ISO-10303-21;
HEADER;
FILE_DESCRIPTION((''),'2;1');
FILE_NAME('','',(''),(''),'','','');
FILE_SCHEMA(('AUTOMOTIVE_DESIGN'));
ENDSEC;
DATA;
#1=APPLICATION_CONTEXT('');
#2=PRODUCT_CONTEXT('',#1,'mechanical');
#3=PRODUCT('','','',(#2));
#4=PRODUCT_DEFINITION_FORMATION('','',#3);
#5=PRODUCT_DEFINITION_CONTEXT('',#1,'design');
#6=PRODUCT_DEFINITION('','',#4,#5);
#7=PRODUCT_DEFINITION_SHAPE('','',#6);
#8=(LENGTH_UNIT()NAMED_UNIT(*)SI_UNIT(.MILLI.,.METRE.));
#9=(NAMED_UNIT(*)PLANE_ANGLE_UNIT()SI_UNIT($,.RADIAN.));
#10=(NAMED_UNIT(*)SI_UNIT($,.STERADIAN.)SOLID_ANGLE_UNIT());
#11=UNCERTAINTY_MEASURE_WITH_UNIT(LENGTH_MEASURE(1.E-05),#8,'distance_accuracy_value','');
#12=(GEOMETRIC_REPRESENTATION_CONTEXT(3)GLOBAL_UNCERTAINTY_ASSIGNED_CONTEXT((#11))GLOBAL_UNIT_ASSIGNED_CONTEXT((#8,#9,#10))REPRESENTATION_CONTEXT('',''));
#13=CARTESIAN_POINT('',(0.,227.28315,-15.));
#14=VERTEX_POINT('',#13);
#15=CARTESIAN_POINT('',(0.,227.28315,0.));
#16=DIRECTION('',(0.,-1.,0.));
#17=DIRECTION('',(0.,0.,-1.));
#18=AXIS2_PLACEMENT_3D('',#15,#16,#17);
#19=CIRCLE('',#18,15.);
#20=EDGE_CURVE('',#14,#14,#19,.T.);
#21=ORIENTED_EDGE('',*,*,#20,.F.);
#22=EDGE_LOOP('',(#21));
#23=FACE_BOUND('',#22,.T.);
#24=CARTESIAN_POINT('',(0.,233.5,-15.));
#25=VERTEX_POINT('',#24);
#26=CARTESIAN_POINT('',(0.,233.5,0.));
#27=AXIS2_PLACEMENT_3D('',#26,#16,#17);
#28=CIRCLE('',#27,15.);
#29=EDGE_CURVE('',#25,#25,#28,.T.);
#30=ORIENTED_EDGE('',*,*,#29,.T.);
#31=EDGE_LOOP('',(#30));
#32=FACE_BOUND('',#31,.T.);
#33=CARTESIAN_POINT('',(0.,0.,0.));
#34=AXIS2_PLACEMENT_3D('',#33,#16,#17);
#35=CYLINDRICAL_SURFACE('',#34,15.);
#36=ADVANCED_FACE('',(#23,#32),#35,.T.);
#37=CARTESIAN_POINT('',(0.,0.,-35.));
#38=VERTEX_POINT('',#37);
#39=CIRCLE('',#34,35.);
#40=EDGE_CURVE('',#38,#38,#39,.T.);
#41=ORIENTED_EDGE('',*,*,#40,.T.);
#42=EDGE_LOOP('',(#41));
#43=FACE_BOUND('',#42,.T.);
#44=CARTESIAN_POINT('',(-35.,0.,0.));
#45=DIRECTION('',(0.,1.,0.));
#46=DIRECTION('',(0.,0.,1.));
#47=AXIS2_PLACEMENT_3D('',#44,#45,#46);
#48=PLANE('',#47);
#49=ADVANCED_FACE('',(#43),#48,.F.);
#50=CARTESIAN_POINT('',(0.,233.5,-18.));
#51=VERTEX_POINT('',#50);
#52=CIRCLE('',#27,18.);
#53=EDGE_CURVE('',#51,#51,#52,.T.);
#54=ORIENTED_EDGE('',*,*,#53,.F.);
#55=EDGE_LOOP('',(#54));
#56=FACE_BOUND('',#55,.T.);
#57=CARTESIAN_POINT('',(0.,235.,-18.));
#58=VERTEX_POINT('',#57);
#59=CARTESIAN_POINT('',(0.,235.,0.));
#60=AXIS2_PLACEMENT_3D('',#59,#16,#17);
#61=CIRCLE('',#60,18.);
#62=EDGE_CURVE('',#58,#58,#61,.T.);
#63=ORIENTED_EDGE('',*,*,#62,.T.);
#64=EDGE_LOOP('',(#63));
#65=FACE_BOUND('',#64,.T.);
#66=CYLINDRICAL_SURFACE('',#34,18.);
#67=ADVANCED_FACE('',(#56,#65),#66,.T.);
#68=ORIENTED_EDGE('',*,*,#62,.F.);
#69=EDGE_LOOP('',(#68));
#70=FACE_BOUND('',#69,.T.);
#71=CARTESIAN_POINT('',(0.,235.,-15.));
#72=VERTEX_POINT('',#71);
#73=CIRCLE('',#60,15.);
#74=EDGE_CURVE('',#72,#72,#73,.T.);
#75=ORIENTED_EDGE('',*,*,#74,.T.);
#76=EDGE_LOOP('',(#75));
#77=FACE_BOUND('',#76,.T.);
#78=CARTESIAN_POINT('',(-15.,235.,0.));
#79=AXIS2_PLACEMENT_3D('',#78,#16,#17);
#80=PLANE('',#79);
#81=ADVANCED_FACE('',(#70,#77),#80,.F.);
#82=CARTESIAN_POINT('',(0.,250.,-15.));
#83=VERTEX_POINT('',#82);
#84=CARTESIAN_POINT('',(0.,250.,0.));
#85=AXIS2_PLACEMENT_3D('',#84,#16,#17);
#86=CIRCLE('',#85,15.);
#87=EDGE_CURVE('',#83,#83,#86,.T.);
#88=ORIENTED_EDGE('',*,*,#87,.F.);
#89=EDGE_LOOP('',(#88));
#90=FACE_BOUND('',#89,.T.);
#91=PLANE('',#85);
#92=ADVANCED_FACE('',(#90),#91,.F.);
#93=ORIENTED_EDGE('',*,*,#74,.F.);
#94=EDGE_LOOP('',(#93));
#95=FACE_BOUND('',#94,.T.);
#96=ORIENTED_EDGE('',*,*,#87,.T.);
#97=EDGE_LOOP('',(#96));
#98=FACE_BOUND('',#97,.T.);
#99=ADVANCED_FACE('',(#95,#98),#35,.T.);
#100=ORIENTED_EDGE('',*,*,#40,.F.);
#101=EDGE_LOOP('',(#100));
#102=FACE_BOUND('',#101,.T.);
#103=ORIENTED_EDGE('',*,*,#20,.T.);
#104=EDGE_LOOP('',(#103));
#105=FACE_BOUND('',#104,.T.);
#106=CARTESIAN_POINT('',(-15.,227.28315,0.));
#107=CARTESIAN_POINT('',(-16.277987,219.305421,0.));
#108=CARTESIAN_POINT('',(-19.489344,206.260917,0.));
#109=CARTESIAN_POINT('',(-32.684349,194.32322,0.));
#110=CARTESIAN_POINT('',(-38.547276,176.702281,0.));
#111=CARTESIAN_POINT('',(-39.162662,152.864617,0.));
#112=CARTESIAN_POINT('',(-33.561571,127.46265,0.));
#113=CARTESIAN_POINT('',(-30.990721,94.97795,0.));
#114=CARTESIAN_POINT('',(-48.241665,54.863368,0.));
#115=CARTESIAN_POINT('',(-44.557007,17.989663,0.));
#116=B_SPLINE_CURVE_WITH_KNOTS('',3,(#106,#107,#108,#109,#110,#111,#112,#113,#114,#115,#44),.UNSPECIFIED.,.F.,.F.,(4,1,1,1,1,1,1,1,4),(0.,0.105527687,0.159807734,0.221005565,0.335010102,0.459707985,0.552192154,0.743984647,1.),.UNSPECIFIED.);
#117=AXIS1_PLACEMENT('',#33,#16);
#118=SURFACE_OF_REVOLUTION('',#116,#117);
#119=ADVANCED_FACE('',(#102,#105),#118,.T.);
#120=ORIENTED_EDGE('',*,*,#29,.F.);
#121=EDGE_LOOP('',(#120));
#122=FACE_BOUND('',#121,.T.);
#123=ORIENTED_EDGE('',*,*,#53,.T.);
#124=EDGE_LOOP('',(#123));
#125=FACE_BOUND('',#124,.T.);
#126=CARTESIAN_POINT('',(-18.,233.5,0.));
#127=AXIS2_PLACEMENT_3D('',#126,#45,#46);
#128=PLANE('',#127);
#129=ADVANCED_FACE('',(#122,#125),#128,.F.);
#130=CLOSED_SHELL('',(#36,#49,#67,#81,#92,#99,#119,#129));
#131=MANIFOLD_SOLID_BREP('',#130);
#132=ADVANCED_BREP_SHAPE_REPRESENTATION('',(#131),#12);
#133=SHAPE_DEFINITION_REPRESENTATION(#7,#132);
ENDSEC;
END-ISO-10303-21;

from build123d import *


with BuildPart() as part:
    # Croquis1 → Revolución1 (revolve)
    with BuildSketch(Plane.XY, mode=Mode.PRIVATE) as revoluci_n1_sk:
        with BuildLine():
            Line((0, 250), (-15, 250))
            Line((-15, 250), (-15, 235))
            Line((-15, 235), (-18, 235))
            Line((-18, 235), (-18, 233.5))
            Line((-18, 233.5), (-15, 233.5))
            Line((-15, 233.5), (-15, 227.283149652))
            add(Edge.make_bspline(
                [(-15, 227.283149652), (-16.277986715, 219.305420885), (-19.489344326, 206.260916929), (-32.684348565, 194.323220301), (-38.547275622, 176.702280824), (-39.162662254, 152.86461741), (-33.561571476, 127.462649854), (-30.990721493, 94.977950046), (-48.241664637, 54.863367585), (-44.557007193, 17.989663347), (-35, 0)],
                knots=[0, 0, 0, 0, 0.105527687, 0.159807734, 0.221005565, 0.335010102, 0.459707985, 0.552192154, 0.743984647, 1, 1, 1, 1], degree=3))
            Line((-35, 0), (0, 0))
            Line((0, 0), (0, 250))
        make_face()
    revolve(revoluci_n1_sk.sketch.rotate(Axis((0, 0, 0), (0, 1, 0)), 270), axis=Axis((0, 0, 0), (0, 1, 0)))


solid = part.part
